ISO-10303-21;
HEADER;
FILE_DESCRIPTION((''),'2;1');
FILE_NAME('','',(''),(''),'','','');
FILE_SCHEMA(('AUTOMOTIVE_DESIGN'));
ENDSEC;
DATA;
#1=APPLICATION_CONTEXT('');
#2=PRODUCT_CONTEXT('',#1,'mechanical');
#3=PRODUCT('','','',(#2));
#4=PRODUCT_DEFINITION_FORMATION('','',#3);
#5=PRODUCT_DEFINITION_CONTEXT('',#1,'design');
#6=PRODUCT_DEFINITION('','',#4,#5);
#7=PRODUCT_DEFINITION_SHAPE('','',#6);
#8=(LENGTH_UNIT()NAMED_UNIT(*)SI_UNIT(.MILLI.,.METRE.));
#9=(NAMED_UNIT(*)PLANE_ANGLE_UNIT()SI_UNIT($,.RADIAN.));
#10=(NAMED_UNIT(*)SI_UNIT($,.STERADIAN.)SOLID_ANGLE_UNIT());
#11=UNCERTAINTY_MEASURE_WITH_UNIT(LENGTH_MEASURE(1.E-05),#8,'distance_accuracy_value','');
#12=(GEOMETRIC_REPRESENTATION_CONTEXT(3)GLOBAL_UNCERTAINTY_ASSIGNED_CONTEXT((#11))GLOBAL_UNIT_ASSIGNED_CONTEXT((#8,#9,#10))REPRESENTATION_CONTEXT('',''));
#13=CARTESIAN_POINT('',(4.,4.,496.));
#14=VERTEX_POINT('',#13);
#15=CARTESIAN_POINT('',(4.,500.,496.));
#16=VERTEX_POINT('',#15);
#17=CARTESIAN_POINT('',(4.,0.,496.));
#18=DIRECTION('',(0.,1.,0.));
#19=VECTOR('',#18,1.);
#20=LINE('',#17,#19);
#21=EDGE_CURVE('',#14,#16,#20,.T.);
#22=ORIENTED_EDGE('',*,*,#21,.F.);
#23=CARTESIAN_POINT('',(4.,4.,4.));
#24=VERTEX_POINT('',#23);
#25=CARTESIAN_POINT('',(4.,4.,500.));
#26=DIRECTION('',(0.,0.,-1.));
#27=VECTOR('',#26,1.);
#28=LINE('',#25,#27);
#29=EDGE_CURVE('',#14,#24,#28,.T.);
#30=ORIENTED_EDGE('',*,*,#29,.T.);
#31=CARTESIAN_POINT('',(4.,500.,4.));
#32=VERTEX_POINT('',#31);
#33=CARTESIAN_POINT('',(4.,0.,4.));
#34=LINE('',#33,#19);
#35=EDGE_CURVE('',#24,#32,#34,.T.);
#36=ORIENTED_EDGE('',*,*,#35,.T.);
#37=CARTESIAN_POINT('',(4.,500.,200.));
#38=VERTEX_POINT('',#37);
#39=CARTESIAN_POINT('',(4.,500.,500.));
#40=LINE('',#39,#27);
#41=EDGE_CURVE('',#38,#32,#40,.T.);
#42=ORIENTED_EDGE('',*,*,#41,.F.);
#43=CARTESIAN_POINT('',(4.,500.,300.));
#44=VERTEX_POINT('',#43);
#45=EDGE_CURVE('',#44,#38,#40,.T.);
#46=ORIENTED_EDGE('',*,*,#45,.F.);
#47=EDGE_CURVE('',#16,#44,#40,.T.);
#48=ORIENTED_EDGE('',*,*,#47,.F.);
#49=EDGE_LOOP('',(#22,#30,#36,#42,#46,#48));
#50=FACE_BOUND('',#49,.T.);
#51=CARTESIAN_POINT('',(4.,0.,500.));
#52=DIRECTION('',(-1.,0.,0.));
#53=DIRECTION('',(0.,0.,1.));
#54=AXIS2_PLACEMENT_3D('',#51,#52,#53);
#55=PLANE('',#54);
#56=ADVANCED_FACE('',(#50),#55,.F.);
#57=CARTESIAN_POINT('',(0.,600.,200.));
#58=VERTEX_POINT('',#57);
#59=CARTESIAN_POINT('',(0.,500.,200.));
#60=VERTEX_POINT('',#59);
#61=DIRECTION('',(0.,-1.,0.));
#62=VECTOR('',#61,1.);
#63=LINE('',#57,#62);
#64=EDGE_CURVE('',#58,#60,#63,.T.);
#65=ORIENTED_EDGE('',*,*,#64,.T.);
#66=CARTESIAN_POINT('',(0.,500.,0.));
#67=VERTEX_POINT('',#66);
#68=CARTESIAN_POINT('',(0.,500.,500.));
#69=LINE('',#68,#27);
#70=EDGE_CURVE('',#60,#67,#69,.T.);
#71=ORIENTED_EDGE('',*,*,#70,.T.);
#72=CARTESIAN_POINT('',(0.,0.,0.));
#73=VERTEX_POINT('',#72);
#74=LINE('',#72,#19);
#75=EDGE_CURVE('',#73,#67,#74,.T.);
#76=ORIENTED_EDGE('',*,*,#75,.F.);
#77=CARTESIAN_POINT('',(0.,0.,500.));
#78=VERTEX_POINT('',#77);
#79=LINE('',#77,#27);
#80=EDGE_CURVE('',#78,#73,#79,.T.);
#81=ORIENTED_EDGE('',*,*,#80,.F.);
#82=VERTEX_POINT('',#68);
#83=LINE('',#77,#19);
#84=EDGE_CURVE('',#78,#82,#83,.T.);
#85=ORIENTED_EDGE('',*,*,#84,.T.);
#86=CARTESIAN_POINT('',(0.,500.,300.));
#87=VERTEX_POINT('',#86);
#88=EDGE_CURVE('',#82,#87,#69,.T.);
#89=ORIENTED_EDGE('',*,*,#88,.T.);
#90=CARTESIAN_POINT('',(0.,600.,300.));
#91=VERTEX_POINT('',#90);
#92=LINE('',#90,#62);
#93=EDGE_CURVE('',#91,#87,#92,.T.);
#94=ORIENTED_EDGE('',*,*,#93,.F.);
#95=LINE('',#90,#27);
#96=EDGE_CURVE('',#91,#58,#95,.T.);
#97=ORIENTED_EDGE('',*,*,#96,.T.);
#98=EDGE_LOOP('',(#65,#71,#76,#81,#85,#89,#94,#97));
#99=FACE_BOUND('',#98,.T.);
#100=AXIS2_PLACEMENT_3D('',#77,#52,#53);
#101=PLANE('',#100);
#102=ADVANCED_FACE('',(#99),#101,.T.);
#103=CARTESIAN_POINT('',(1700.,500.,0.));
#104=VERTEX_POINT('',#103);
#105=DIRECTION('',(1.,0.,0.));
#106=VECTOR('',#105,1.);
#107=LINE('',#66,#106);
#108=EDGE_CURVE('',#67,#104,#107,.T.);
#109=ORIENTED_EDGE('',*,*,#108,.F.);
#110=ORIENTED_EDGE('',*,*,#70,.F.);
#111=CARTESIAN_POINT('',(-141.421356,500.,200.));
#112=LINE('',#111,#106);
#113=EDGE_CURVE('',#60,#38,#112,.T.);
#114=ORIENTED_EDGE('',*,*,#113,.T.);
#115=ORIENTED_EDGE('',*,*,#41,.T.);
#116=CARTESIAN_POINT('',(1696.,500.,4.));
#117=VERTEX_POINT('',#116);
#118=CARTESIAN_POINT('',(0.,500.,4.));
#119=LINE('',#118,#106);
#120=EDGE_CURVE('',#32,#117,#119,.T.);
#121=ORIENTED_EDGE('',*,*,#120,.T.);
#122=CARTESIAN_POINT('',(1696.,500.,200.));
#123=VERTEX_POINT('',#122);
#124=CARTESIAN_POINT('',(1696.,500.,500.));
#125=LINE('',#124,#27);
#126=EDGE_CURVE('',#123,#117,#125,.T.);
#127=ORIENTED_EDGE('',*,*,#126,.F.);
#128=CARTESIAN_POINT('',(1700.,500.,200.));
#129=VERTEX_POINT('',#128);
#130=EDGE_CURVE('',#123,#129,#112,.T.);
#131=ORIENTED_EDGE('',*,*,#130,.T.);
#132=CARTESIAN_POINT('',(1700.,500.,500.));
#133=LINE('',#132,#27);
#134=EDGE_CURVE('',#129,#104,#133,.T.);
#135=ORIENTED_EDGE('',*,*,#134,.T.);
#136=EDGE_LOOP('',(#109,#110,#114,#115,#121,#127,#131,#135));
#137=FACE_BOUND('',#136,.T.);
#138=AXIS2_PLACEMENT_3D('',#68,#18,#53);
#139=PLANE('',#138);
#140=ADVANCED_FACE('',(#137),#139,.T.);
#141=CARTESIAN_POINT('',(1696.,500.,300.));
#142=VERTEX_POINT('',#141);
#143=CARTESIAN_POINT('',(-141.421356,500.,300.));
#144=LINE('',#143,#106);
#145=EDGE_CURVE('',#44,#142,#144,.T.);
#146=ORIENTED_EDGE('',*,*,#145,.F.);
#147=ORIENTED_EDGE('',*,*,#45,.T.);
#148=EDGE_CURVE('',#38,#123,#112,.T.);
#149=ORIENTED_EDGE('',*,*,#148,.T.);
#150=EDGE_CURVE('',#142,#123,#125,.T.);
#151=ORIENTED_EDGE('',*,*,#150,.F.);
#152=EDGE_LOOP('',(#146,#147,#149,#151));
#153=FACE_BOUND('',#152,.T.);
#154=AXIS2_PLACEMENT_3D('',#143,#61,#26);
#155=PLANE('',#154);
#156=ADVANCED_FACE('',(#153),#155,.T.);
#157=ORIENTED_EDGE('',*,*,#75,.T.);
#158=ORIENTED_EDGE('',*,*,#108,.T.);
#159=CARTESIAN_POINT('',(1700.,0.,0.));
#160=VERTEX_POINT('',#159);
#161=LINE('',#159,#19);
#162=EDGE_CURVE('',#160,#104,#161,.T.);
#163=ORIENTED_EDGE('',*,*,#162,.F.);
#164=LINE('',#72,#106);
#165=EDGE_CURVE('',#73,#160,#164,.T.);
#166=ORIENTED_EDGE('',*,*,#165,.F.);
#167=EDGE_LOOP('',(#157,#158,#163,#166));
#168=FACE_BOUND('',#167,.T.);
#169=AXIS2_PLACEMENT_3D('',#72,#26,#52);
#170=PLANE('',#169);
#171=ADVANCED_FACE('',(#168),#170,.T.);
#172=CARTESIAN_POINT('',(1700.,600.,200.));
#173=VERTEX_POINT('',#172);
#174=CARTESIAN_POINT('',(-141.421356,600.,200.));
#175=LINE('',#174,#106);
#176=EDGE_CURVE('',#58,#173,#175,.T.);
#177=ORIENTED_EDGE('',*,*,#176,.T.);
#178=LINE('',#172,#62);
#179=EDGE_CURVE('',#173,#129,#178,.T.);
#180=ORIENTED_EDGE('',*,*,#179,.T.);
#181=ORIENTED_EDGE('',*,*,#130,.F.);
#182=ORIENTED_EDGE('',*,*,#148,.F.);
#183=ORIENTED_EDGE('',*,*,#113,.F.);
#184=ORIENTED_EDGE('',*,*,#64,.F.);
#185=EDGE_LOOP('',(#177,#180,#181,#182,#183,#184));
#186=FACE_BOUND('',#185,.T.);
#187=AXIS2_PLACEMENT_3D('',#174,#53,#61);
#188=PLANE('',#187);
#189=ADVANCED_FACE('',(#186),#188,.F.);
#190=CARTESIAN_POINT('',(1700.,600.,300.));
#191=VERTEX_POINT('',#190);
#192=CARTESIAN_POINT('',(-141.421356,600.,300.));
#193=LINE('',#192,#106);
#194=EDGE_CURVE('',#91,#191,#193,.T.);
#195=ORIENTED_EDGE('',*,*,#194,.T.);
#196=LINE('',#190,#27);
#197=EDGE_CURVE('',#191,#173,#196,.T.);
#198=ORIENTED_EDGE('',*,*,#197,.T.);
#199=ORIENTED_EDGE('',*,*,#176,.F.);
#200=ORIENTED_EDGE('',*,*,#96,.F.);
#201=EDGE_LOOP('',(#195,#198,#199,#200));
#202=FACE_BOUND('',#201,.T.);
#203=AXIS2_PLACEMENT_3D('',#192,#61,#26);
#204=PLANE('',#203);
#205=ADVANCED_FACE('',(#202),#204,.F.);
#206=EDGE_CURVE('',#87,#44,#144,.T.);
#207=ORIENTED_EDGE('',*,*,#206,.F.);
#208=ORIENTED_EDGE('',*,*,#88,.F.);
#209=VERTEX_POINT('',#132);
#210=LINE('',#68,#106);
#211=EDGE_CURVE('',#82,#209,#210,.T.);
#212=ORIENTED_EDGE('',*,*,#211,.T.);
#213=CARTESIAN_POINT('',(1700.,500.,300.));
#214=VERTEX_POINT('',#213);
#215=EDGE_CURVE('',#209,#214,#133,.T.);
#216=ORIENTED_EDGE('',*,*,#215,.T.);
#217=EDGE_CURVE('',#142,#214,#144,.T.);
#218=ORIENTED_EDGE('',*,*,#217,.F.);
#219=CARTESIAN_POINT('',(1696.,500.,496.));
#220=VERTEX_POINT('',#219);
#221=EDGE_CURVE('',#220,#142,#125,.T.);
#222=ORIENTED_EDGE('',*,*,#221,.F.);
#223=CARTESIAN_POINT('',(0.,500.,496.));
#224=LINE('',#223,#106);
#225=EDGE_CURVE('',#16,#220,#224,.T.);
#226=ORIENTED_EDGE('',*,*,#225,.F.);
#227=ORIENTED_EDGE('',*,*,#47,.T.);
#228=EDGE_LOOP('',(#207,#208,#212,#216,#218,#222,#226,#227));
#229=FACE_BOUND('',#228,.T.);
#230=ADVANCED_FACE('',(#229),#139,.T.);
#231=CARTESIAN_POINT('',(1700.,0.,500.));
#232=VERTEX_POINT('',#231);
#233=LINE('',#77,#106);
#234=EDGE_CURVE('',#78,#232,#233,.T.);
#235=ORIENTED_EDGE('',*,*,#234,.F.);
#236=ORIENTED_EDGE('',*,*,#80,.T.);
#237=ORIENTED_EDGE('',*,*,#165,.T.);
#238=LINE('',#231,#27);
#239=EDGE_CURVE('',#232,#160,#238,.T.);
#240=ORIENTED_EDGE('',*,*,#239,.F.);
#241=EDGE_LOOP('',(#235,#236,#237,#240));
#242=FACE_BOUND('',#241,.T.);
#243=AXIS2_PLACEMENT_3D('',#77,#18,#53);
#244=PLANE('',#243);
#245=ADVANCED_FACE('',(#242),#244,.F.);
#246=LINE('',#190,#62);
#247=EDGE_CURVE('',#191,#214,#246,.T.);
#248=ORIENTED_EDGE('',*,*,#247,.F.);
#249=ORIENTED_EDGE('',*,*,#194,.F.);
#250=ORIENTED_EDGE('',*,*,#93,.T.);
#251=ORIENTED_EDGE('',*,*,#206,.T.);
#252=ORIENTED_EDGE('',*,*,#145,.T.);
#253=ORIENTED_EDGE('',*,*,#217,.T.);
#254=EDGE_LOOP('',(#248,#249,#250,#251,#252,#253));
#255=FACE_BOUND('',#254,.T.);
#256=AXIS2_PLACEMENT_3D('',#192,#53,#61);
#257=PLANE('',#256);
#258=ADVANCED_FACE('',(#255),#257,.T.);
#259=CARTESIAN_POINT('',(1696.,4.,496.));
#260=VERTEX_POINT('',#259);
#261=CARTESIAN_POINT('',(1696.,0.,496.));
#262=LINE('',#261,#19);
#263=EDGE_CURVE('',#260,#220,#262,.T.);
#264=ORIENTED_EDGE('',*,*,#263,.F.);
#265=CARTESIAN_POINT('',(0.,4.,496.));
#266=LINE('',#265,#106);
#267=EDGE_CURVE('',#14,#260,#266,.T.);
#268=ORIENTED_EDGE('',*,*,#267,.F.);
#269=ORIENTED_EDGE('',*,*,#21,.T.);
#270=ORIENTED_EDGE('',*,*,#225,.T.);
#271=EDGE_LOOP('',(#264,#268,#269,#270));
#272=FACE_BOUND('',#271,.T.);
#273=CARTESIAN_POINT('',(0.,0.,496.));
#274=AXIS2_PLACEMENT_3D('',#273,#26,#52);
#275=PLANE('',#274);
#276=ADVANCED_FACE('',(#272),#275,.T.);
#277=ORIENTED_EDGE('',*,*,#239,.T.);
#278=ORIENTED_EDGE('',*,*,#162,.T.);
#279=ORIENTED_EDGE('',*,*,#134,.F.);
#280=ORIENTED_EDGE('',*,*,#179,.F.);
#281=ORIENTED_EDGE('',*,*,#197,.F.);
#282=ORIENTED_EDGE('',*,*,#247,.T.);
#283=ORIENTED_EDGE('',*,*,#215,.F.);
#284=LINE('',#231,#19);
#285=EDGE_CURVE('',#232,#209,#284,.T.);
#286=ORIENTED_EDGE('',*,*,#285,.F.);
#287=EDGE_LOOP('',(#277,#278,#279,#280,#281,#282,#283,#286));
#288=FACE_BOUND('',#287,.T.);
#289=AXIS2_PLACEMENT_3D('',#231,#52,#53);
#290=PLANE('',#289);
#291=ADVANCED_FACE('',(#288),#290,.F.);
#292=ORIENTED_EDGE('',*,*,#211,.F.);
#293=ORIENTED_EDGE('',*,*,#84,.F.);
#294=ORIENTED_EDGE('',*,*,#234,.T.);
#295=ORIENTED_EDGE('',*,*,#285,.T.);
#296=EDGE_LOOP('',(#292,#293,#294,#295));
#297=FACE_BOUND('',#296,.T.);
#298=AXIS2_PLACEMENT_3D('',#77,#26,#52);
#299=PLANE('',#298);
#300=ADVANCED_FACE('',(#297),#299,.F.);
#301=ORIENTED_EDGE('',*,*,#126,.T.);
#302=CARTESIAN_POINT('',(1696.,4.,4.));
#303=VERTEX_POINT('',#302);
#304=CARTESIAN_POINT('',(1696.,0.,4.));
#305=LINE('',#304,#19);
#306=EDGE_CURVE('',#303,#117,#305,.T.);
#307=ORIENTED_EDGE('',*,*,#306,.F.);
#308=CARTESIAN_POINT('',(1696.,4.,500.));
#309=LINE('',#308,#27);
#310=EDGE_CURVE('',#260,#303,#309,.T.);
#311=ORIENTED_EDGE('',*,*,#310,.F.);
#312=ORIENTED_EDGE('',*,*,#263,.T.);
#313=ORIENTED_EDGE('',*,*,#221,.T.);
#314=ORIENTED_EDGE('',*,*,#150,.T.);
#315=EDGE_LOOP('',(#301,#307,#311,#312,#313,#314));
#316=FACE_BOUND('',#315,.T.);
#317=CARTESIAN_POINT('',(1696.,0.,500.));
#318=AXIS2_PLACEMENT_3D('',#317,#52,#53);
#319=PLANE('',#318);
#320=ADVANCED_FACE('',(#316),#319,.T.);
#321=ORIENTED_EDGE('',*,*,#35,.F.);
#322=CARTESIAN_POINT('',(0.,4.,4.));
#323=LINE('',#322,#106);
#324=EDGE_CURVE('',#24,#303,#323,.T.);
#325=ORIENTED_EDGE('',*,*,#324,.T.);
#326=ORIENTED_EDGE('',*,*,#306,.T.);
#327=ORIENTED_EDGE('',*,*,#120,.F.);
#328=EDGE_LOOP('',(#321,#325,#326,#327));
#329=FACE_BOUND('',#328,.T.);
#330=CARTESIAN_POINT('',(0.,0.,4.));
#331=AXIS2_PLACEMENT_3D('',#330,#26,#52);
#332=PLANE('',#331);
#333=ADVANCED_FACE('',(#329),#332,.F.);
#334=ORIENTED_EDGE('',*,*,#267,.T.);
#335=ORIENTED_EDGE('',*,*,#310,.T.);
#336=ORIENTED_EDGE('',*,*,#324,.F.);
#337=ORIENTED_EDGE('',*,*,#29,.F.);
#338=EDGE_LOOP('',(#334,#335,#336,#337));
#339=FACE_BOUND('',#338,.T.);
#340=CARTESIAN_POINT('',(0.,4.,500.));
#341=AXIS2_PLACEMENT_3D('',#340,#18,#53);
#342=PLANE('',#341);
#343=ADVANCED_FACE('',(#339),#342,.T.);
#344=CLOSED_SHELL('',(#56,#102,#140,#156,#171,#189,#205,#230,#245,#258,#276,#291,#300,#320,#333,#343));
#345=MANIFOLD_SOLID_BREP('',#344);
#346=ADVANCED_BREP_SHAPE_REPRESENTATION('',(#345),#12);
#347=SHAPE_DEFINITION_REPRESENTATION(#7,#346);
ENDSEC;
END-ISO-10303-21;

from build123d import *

# Parameters (mm, degrees)
SKETCH1_W           = 1700
SKETCH1_H           = 500
BOSS_EXTRUDE1_DEPTH = 500
SHELL1_T            = -4
SKETCH2_W           = 100
SKETCH2_H           = 100
BOSS_EXTRUDE2_DEPTH = 1700


with BuildPart() as part:
    # Sketch1 → Boss-Extrude1 (new body)
    with BuildSketch(Plane.XY):
        with Locations((850, 250)):
            Rectangle(SKETCH1_W, SKETCH1_H)
    extrude(amount=BOSS_EXTRUDE1_DEPTH)

    # Shell1
    shell1_openings = [part.faces().sort_by_distance(p)[0] for p in [
        (850, 500, 250),
    ]]
    offset(amount=SHELL1_T, openings=shell1_openings, kind=Kind.INTERSECTION)

    # Sketch2 → Boss-Extrude2 (add)
    with BuildSketch(Plane(origin=(1700, 0, 0), x_dir=(0, 0, -1), z_dir=(1, 0, 0))):
        with Locations((-250, 550)):
            Rectangle(SKETCH2_W, SKETCH2_H)
    extrude(amount=-BOSS_EXTRUDE2_DEPTH)


solid = part.part
